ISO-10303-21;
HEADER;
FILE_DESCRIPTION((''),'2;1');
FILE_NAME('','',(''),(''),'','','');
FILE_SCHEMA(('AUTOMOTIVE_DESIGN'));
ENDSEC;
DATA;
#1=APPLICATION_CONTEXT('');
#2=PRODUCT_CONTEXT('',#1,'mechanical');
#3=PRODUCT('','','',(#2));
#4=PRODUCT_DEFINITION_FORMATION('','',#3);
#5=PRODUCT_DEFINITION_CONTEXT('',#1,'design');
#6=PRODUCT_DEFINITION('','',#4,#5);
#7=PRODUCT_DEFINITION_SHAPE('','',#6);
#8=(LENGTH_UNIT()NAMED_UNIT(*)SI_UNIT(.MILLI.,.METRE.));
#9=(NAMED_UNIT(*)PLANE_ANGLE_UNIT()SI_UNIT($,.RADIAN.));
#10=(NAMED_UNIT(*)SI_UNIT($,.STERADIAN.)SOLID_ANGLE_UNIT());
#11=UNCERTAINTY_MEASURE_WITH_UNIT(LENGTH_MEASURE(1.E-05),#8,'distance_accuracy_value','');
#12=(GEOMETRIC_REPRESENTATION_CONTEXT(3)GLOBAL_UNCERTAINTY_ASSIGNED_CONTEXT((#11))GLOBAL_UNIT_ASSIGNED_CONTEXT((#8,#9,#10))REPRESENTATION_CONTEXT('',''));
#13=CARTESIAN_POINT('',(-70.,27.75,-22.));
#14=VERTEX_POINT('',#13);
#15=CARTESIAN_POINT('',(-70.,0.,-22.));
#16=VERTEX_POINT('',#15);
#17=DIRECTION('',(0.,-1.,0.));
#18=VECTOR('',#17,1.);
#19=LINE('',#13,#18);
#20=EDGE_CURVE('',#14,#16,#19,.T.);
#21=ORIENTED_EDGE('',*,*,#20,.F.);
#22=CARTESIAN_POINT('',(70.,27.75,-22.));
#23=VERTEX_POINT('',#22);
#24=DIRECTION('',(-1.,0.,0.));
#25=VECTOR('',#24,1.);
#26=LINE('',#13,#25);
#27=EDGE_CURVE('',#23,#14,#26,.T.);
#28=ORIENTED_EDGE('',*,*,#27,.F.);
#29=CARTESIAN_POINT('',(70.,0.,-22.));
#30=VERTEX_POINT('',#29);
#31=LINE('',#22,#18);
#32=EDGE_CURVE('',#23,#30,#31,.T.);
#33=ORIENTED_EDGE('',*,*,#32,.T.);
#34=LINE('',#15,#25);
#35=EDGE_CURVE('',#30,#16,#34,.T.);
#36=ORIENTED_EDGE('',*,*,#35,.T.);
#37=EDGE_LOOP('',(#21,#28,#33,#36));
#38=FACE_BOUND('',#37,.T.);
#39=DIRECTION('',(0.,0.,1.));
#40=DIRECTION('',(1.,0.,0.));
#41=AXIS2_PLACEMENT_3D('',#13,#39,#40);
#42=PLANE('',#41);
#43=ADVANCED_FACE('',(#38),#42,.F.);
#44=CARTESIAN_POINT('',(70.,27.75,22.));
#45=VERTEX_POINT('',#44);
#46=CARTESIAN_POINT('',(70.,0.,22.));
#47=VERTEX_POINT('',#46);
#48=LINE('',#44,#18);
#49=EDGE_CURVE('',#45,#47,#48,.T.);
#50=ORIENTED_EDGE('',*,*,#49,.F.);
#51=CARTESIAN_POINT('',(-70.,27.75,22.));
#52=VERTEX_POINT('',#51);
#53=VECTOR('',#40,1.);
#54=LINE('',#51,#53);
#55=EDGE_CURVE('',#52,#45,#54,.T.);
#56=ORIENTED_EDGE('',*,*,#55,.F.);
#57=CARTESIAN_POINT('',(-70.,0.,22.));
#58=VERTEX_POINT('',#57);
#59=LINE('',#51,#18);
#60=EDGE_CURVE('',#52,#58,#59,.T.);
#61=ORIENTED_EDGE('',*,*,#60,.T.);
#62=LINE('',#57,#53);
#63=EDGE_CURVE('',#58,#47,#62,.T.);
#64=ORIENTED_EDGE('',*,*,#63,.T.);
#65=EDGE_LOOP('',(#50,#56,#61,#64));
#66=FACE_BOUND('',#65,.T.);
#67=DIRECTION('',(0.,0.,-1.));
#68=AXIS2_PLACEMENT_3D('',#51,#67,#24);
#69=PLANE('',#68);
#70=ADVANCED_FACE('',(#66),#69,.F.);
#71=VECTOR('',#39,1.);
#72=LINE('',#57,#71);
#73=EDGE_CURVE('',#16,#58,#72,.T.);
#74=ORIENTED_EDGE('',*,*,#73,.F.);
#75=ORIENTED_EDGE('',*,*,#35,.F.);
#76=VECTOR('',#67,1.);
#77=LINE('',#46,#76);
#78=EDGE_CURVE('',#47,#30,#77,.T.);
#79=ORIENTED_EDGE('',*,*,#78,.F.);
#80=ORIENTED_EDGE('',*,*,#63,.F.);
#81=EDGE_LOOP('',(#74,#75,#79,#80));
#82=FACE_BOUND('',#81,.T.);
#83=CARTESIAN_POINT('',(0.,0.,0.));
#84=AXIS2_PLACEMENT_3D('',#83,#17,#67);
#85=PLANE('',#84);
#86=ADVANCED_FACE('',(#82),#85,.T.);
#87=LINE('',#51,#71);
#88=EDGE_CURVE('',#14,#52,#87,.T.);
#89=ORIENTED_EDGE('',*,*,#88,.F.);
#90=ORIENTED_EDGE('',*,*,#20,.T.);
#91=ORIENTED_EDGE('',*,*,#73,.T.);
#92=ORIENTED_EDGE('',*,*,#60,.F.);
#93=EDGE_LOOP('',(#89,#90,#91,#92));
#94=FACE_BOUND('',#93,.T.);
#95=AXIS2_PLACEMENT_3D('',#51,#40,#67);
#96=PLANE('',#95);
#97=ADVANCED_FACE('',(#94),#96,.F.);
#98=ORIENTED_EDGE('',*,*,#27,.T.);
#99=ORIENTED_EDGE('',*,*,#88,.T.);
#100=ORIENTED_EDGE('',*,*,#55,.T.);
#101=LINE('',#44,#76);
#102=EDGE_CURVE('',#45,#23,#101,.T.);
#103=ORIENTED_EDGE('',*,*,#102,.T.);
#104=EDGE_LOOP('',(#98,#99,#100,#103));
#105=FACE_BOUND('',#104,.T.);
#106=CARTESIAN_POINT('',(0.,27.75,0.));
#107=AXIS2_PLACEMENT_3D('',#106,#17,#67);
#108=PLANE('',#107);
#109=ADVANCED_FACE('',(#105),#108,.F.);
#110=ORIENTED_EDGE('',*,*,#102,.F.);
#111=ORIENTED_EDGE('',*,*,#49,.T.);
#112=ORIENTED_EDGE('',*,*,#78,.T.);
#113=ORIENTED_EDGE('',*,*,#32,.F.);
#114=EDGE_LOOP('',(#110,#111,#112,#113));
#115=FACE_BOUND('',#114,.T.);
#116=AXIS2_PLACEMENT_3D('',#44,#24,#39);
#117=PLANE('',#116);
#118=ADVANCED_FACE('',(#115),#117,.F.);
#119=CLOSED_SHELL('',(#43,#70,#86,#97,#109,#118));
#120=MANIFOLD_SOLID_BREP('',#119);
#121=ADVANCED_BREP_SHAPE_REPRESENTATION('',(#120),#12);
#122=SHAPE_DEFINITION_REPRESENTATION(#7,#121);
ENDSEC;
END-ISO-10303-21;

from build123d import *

# Parameters (mm, degrees)
SKETCH_1_W      = 140
SKETCH_1_H      = 44
EXTRUDE_1_DEPTH = 27.75


with BuildPart() as part:
    # 草圖1 → 填料-伸長1 (new body)
    with BuildSketch(Plane(origin=(0, 0, 0), x_dir=(1, 0, 0), z_dir=(0, 1, 0))):
        Rectangle(SKETCH_1_W, SKETCH_1_H)
    extrude(amount=EXTRUDE_1_DEPTH)


solid = part.part
